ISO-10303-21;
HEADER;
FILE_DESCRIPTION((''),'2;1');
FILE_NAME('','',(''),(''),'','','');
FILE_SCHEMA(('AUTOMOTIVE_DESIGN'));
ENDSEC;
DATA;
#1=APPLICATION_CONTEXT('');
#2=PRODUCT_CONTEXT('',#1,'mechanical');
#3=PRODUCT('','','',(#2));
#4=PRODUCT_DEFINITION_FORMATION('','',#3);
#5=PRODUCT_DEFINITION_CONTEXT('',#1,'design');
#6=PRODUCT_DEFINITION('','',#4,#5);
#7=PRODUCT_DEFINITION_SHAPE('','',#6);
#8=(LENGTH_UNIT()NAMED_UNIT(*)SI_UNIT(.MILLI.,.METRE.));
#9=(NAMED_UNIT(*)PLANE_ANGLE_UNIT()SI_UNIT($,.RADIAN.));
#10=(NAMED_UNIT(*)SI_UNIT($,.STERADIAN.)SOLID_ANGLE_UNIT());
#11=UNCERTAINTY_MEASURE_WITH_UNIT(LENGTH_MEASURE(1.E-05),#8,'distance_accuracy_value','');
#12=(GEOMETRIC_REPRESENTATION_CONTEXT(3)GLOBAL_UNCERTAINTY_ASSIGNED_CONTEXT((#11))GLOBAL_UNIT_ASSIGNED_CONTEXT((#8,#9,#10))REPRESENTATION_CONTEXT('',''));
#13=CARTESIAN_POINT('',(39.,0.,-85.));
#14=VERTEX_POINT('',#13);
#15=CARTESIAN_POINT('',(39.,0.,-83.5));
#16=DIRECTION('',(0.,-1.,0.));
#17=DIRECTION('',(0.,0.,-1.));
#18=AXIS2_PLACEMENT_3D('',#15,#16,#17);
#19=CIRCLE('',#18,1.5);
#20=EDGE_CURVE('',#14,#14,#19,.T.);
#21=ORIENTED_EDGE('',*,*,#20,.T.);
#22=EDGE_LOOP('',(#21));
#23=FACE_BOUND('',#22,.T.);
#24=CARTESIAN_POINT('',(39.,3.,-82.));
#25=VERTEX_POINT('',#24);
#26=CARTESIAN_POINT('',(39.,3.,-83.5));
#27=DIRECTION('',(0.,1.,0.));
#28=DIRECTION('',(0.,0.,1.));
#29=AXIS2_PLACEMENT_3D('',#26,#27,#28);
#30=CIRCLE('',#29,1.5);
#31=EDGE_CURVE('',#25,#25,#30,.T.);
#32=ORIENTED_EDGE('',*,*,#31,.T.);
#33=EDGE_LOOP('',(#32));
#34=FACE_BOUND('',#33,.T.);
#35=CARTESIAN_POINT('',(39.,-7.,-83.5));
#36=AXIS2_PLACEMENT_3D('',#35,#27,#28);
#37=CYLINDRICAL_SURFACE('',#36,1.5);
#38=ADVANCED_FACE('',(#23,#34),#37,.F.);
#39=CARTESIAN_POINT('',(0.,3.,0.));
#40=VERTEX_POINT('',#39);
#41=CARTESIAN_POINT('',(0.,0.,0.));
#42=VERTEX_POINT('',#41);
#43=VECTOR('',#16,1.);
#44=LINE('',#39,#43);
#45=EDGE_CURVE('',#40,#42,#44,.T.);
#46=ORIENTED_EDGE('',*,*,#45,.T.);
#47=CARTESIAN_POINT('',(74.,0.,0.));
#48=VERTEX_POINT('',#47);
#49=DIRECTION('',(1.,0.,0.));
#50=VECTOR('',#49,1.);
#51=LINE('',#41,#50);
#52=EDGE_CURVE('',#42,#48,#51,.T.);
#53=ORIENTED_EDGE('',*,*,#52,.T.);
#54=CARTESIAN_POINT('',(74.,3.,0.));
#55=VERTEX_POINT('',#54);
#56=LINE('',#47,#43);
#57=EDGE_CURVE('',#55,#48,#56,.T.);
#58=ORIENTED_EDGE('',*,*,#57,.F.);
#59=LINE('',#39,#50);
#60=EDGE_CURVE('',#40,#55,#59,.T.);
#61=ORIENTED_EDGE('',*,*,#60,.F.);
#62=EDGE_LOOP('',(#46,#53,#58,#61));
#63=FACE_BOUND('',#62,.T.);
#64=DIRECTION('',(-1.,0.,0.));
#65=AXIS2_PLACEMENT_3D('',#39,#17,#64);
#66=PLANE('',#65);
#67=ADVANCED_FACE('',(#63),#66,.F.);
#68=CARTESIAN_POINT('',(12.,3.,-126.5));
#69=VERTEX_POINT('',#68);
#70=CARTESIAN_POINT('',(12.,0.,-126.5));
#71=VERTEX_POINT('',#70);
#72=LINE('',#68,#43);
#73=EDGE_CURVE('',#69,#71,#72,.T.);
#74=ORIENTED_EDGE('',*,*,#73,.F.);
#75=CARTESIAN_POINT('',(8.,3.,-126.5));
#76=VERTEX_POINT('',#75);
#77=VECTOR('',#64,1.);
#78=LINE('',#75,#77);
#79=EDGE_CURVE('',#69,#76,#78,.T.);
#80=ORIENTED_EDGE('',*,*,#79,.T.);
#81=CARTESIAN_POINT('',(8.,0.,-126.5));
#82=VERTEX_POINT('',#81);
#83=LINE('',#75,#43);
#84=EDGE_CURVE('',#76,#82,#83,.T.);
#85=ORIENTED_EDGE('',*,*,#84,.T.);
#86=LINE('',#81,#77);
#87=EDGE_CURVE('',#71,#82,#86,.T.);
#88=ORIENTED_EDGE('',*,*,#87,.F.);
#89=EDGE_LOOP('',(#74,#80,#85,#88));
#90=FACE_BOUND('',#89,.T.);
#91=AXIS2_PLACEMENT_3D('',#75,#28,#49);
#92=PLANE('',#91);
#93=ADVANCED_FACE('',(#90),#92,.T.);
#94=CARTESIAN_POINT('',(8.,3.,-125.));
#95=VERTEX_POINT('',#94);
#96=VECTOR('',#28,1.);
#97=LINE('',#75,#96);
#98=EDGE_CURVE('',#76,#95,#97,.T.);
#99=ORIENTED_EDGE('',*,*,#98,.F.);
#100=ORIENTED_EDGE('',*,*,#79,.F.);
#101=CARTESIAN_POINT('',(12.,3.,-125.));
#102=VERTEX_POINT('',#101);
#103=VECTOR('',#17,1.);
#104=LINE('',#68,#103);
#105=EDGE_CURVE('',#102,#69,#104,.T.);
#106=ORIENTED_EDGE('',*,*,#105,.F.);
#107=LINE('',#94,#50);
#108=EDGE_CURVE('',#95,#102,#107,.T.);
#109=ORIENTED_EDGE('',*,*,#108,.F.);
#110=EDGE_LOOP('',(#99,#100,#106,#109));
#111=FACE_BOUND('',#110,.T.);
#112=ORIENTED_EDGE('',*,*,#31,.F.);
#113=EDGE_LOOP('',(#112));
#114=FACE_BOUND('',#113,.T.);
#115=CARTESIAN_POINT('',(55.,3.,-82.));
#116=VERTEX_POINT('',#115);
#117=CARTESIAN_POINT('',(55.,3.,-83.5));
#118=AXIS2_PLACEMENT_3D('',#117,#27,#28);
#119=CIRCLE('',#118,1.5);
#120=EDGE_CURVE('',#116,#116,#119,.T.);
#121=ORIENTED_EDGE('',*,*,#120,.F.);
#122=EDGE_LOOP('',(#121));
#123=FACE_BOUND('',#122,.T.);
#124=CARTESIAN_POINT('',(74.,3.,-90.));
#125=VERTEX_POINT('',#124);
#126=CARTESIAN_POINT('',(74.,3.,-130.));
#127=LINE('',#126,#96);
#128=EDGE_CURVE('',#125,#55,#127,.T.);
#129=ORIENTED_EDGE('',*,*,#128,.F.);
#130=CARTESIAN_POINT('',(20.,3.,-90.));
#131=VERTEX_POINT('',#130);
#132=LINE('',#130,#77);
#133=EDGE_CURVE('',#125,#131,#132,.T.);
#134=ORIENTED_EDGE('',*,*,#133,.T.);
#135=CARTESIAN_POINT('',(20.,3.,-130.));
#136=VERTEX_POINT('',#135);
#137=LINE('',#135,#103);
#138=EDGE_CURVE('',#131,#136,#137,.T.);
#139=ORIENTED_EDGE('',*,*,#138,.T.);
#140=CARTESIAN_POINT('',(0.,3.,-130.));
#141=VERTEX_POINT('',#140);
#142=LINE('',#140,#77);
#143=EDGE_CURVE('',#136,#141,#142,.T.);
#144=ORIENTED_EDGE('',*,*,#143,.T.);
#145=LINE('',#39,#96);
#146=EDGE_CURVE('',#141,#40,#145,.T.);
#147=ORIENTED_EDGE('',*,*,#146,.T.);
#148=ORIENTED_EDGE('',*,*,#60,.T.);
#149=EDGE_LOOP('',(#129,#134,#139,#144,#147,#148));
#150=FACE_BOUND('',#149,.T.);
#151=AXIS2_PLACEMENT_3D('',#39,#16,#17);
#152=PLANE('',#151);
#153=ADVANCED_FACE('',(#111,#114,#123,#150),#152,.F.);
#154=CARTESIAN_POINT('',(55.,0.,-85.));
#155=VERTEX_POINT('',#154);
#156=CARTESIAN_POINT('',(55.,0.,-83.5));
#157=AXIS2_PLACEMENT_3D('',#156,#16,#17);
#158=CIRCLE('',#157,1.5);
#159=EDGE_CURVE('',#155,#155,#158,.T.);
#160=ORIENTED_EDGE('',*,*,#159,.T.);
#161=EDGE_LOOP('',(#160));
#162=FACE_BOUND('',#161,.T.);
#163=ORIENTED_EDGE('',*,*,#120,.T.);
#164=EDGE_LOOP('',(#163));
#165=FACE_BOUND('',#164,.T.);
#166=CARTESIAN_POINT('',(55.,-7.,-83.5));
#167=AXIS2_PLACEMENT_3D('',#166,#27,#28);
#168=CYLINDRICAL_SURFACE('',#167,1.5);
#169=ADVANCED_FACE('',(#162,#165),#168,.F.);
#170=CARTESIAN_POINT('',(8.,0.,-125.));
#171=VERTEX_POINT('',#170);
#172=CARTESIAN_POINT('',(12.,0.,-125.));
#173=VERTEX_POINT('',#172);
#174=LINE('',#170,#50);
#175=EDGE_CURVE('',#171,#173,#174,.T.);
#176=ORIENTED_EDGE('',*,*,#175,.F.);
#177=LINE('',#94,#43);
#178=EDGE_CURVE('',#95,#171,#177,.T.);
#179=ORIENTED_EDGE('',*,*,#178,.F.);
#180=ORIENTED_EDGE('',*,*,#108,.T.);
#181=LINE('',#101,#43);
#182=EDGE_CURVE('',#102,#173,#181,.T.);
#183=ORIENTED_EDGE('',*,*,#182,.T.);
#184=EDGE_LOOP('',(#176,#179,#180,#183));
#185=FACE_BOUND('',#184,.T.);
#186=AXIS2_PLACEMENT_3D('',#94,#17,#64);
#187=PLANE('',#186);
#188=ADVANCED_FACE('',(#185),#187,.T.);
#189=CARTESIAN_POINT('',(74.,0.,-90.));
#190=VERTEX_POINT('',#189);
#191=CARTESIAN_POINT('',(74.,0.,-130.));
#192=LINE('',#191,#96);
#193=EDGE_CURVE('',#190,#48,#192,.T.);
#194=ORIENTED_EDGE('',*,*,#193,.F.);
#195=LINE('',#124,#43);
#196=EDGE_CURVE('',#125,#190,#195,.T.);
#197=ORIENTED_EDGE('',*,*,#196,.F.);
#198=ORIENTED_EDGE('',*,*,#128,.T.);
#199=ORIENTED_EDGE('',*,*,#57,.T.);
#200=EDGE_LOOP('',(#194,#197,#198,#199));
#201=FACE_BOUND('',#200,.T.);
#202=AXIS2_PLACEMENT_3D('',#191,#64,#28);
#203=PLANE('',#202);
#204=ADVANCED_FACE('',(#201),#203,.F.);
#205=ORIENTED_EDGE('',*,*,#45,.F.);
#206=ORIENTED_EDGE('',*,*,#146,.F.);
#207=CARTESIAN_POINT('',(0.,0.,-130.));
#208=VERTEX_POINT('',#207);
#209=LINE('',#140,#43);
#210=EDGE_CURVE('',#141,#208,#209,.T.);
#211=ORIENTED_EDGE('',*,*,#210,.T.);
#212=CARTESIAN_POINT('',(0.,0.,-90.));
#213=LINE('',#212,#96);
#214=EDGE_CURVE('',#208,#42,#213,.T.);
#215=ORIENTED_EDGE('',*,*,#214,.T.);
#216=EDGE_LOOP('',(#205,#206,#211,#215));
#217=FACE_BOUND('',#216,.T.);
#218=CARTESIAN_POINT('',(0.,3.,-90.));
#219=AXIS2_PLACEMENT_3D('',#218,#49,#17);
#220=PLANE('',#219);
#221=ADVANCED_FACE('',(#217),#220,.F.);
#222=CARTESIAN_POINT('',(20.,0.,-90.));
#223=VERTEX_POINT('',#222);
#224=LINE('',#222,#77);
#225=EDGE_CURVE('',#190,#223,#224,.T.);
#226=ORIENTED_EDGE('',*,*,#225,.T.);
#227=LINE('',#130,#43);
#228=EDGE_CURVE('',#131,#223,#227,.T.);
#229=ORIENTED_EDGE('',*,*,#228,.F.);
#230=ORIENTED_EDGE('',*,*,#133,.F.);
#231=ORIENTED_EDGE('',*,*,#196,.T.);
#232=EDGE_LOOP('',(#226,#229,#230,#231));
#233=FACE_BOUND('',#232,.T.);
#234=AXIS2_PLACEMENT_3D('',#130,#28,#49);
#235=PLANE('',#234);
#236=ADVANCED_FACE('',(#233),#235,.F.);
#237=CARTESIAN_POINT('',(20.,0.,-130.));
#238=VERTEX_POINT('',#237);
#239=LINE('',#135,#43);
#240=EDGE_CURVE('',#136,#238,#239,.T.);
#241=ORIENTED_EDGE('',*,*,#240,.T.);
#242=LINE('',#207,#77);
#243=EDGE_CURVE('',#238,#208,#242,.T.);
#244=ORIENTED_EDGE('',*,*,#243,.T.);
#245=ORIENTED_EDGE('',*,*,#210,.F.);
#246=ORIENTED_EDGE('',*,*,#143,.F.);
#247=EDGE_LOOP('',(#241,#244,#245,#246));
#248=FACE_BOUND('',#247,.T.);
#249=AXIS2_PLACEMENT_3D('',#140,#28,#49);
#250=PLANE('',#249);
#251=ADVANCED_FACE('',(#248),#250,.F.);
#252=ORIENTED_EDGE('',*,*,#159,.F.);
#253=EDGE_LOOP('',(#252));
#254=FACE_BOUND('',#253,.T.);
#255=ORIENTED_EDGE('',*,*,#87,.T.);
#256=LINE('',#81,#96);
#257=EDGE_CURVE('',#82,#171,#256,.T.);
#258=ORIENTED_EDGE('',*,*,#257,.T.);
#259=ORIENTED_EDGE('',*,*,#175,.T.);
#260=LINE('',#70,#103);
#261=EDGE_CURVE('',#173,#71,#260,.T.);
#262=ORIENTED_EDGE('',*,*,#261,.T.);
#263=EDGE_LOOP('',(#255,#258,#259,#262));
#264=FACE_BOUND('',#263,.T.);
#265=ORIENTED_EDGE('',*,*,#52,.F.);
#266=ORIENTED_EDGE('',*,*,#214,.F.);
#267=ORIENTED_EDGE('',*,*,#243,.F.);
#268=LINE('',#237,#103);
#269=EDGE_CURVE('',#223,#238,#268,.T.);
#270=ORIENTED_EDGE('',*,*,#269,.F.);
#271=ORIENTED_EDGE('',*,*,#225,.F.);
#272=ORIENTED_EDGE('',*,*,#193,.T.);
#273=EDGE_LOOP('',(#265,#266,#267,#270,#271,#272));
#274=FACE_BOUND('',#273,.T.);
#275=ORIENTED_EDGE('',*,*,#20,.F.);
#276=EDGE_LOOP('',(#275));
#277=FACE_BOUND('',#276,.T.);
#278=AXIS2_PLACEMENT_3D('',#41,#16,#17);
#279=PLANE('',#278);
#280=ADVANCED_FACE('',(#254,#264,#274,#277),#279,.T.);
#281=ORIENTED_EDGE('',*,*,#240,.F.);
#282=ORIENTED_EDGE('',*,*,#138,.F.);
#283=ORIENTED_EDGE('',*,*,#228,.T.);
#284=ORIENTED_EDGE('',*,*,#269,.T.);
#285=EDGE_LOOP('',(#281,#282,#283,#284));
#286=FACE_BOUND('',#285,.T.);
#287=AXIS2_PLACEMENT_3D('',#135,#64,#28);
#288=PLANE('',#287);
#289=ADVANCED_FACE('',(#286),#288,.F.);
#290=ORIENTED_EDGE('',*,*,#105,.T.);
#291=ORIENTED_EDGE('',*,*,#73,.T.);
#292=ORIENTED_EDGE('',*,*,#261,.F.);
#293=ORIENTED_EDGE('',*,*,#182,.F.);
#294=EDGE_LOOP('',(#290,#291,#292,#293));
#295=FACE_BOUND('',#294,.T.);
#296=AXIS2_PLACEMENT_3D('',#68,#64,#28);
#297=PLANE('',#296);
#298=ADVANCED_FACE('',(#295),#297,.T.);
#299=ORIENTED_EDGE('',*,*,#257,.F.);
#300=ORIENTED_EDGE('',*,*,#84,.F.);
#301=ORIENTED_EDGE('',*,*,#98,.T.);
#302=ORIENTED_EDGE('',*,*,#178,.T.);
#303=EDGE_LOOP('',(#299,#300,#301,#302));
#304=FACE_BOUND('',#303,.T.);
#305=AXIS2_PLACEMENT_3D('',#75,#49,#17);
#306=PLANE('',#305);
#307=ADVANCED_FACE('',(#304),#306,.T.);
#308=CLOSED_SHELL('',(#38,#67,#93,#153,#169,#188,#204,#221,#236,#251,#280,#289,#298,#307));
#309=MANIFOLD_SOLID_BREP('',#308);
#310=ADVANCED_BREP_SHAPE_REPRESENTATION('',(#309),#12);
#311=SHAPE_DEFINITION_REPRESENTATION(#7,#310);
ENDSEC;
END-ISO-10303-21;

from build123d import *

# Parameters (mm, degrees)
SKETCH1_W           = 4
SKETCH1_H           = 1.5
BOSS_EXTRUDE1_DEPTH = 3
SKETCH4_W           = 15
SKETCH4_H           = 3
CUT_EXTRUDE3_DEPTH  = 158.575378787
SKETCH7_R           = 1.5
CUT_EXTRUDE6_DEPTH  = 10


with BuildPart() as part:
    # Sketch1 → Boss-Extrude1 (new body)
    with BuildSketch(Plane(origin=(0, 0, 0), x_dir=(1, 0, 0), z_dir=(0, 1, 0))):
        Polygon((0, 90), (0, 130), (20, 130), (20, 90), (89, 90), (89, 0), (0, 0), align=None)
        with Locations((10, 125.75)):
            Rectangle(SKETCH1_W, SKETCH1_H, mode=Mode.SUBTRACT)
    extrude(amount=BOSS_EXTRUDE1_DEPTH)

    # Sketch4 → Cut-Extrude3 (cut, through all)
    with BuildSketch(Plane.XY):
        with Locations((81.5, 1.5)):
            Rectangle(SKETCH4_W, SKETCH4_H)
    extrude(amount=-CUT_EXTRUDE3_DEPTH, mode=Mode.SUBTRACT)

    # Sketch7 → Cut-Extrude6 (cut)
    with BuildSketch(Plane(origin=(0, 3, 0), x_dir=(1, 0, 0), z_dir=(0, 1, 0))):
        with Locations(Location((39, 83.5, 0), (0, 0, 270))):
            Circle(SKETCH7_R)
        with Locations(Location((55, 83.5, 0), (0, 0, 270))):
            Circle(SKETCH7_R)
    extrude(amount=-CUT_EXTRUDE6_DEPTH, mode=Mode.SUBTRACT)


solid = part.part
